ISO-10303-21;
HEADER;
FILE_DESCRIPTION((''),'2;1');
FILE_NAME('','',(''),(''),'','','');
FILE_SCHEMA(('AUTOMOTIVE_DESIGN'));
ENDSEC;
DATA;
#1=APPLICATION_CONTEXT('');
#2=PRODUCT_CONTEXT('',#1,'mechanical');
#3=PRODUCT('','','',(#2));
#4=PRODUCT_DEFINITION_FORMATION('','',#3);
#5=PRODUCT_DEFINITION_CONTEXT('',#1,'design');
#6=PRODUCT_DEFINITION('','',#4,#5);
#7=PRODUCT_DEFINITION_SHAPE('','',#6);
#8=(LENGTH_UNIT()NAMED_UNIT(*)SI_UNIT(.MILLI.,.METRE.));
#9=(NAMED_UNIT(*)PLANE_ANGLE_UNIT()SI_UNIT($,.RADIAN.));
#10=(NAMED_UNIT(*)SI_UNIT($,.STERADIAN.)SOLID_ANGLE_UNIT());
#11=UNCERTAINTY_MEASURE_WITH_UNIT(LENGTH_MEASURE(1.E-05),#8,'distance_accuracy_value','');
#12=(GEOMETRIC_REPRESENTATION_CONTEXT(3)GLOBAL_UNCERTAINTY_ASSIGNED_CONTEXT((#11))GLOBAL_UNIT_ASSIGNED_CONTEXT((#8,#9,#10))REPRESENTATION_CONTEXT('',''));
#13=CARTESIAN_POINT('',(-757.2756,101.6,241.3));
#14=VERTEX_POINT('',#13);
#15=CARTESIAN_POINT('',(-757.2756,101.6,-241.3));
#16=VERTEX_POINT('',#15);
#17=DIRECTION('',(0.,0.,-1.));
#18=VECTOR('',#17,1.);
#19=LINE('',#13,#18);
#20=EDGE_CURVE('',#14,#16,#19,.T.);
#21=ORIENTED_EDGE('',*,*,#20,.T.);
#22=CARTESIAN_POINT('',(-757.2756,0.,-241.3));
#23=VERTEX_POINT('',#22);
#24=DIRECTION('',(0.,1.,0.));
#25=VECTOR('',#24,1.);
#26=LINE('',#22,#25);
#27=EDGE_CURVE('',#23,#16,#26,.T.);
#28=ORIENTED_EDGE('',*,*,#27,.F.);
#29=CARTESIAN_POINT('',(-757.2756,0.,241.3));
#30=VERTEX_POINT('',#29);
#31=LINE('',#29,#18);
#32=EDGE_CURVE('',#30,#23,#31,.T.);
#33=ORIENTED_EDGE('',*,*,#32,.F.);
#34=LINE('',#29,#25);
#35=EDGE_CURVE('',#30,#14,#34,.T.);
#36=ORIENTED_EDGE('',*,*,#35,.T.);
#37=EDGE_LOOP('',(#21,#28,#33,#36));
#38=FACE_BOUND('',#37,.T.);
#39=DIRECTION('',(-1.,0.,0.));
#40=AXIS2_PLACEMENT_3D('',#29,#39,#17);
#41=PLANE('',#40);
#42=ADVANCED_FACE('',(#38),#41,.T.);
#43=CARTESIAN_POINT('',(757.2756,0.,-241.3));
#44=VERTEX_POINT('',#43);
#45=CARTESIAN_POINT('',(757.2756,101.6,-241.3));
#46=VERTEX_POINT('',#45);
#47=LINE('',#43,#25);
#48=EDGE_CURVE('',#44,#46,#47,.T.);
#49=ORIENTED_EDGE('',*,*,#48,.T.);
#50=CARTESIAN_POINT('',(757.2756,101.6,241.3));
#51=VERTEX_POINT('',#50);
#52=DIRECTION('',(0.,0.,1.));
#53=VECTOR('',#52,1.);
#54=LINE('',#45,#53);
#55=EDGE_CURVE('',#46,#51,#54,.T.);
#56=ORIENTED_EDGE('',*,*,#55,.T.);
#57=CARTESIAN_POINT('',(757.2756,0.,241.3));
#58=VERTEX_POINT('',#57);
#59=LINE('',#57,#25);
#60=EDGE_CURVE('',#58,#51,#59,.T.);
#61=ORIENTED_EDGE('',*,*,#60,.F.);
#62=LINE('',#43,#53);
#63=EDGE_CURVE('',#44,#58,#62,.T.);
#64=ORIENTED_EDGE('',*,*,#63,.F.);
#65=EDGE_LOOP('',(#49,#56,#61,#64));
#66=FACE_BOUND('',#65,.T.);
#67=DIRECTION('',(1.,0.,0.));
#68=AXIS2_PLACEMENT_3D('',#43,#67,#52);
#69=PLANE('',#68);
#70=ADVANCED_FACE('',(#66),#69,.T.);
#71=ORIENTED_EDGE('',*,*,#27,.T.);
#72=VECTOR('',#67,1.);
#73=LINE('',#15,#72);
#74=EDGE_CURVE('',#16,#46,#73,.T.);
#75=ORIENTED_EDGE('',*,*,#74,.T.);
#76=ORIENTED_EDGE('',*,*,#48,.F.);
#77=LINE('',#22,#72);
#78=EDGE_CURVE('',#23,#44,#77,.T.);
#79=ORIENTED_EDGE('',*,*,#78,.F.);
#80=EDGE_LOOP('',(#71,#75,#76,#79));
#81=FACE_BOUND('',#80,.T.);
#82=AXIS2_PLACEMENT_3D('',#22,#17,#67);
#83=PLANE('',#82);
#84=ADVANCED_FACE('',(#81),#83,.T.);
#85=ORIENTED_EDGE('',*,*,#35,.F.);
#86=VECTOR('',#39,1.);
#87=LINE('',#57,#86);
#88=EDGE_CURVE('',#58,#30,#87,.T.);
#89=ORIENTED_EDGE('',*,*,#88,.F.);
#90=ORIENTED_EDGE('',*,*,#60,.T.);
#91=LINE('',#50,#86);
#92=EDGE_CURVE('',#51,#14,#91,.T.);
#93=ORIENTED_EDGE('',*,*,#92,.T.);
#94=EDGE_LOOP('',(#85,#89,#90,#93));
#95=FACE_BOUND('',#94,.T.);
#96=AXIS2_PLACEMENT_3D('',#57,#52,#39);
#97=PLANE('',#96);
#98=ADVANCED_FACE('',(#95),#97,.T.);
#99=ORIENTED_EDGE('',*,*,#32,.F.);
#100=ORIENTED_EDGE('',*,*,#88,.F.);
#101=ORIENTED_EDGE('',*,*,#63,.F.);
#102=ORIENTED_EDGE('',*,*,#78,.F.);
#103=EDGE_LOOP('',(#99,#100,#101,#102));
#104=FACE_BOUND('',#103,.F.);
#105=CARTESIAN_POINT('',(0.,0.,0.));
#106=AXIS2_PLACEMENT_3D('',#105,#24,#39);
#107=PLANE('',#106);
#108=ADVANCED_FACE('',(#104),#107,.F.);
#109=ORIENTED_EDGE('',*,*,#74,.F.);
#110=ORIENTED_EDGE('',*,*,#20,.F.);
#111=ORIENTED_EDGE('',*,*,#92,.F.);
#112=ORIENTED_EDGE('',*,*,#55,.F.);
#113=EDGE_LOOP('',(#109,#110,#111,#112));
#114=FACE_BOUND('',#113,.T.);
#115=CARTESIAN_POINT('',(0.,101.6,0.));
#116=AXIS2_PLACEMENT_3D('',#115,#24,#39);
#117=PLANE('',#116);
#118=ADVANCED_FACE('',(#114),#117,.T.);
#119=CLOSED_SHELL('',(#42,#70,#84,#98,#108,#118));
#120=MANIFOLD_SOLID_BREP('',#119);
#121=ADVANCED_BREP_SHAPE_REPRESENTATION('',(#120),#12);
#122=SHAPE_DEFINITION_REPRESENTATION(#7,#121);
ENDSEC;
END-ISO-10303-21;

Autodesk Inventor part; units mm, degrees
ref_plane "YZ Plane" through (0, 0, 0) normal (1, 0, 0) x (0, 1, 0)
ref_plane "XZ Plane" through (0, 0, 0) normal (0, 1, 0) x (-1, 0, 0)
ref_plane "XY Plane" through (0, 0, 0) normal (0, 0, 1) x (1, 0, 0)
sketch "Sketch1" plane through (0, 0, 0) normal (0, 1, 0) x (-1, 0, 0)
  line L0 (757.2756, -241.3) -> (-757.2756, -241.3)
  line L1 (-757.2756, -241.3) -> (-757.2756, 241.3)
  line L2 (-757.2756, 241.3) -> (757.2756, 241.3)
  line L3 (757.2756, 241.3) -> (757.2756, -241.3)
  line L4 (757.2756, -241.3) -> (-757.2756, 241.3) construction
  line L5 (-757.2756, -241.3) -> (757.2756, 241.3) construction
  point P0 (0, 0)
  dimension "d0" = 1514.5512
  dimension "d1" = 482.6
extrude "Extrusion1" add sketch "Sketch1" along normal blind 101.6
properties part number "Retaining&exterior ST-3" material "Limestone"
